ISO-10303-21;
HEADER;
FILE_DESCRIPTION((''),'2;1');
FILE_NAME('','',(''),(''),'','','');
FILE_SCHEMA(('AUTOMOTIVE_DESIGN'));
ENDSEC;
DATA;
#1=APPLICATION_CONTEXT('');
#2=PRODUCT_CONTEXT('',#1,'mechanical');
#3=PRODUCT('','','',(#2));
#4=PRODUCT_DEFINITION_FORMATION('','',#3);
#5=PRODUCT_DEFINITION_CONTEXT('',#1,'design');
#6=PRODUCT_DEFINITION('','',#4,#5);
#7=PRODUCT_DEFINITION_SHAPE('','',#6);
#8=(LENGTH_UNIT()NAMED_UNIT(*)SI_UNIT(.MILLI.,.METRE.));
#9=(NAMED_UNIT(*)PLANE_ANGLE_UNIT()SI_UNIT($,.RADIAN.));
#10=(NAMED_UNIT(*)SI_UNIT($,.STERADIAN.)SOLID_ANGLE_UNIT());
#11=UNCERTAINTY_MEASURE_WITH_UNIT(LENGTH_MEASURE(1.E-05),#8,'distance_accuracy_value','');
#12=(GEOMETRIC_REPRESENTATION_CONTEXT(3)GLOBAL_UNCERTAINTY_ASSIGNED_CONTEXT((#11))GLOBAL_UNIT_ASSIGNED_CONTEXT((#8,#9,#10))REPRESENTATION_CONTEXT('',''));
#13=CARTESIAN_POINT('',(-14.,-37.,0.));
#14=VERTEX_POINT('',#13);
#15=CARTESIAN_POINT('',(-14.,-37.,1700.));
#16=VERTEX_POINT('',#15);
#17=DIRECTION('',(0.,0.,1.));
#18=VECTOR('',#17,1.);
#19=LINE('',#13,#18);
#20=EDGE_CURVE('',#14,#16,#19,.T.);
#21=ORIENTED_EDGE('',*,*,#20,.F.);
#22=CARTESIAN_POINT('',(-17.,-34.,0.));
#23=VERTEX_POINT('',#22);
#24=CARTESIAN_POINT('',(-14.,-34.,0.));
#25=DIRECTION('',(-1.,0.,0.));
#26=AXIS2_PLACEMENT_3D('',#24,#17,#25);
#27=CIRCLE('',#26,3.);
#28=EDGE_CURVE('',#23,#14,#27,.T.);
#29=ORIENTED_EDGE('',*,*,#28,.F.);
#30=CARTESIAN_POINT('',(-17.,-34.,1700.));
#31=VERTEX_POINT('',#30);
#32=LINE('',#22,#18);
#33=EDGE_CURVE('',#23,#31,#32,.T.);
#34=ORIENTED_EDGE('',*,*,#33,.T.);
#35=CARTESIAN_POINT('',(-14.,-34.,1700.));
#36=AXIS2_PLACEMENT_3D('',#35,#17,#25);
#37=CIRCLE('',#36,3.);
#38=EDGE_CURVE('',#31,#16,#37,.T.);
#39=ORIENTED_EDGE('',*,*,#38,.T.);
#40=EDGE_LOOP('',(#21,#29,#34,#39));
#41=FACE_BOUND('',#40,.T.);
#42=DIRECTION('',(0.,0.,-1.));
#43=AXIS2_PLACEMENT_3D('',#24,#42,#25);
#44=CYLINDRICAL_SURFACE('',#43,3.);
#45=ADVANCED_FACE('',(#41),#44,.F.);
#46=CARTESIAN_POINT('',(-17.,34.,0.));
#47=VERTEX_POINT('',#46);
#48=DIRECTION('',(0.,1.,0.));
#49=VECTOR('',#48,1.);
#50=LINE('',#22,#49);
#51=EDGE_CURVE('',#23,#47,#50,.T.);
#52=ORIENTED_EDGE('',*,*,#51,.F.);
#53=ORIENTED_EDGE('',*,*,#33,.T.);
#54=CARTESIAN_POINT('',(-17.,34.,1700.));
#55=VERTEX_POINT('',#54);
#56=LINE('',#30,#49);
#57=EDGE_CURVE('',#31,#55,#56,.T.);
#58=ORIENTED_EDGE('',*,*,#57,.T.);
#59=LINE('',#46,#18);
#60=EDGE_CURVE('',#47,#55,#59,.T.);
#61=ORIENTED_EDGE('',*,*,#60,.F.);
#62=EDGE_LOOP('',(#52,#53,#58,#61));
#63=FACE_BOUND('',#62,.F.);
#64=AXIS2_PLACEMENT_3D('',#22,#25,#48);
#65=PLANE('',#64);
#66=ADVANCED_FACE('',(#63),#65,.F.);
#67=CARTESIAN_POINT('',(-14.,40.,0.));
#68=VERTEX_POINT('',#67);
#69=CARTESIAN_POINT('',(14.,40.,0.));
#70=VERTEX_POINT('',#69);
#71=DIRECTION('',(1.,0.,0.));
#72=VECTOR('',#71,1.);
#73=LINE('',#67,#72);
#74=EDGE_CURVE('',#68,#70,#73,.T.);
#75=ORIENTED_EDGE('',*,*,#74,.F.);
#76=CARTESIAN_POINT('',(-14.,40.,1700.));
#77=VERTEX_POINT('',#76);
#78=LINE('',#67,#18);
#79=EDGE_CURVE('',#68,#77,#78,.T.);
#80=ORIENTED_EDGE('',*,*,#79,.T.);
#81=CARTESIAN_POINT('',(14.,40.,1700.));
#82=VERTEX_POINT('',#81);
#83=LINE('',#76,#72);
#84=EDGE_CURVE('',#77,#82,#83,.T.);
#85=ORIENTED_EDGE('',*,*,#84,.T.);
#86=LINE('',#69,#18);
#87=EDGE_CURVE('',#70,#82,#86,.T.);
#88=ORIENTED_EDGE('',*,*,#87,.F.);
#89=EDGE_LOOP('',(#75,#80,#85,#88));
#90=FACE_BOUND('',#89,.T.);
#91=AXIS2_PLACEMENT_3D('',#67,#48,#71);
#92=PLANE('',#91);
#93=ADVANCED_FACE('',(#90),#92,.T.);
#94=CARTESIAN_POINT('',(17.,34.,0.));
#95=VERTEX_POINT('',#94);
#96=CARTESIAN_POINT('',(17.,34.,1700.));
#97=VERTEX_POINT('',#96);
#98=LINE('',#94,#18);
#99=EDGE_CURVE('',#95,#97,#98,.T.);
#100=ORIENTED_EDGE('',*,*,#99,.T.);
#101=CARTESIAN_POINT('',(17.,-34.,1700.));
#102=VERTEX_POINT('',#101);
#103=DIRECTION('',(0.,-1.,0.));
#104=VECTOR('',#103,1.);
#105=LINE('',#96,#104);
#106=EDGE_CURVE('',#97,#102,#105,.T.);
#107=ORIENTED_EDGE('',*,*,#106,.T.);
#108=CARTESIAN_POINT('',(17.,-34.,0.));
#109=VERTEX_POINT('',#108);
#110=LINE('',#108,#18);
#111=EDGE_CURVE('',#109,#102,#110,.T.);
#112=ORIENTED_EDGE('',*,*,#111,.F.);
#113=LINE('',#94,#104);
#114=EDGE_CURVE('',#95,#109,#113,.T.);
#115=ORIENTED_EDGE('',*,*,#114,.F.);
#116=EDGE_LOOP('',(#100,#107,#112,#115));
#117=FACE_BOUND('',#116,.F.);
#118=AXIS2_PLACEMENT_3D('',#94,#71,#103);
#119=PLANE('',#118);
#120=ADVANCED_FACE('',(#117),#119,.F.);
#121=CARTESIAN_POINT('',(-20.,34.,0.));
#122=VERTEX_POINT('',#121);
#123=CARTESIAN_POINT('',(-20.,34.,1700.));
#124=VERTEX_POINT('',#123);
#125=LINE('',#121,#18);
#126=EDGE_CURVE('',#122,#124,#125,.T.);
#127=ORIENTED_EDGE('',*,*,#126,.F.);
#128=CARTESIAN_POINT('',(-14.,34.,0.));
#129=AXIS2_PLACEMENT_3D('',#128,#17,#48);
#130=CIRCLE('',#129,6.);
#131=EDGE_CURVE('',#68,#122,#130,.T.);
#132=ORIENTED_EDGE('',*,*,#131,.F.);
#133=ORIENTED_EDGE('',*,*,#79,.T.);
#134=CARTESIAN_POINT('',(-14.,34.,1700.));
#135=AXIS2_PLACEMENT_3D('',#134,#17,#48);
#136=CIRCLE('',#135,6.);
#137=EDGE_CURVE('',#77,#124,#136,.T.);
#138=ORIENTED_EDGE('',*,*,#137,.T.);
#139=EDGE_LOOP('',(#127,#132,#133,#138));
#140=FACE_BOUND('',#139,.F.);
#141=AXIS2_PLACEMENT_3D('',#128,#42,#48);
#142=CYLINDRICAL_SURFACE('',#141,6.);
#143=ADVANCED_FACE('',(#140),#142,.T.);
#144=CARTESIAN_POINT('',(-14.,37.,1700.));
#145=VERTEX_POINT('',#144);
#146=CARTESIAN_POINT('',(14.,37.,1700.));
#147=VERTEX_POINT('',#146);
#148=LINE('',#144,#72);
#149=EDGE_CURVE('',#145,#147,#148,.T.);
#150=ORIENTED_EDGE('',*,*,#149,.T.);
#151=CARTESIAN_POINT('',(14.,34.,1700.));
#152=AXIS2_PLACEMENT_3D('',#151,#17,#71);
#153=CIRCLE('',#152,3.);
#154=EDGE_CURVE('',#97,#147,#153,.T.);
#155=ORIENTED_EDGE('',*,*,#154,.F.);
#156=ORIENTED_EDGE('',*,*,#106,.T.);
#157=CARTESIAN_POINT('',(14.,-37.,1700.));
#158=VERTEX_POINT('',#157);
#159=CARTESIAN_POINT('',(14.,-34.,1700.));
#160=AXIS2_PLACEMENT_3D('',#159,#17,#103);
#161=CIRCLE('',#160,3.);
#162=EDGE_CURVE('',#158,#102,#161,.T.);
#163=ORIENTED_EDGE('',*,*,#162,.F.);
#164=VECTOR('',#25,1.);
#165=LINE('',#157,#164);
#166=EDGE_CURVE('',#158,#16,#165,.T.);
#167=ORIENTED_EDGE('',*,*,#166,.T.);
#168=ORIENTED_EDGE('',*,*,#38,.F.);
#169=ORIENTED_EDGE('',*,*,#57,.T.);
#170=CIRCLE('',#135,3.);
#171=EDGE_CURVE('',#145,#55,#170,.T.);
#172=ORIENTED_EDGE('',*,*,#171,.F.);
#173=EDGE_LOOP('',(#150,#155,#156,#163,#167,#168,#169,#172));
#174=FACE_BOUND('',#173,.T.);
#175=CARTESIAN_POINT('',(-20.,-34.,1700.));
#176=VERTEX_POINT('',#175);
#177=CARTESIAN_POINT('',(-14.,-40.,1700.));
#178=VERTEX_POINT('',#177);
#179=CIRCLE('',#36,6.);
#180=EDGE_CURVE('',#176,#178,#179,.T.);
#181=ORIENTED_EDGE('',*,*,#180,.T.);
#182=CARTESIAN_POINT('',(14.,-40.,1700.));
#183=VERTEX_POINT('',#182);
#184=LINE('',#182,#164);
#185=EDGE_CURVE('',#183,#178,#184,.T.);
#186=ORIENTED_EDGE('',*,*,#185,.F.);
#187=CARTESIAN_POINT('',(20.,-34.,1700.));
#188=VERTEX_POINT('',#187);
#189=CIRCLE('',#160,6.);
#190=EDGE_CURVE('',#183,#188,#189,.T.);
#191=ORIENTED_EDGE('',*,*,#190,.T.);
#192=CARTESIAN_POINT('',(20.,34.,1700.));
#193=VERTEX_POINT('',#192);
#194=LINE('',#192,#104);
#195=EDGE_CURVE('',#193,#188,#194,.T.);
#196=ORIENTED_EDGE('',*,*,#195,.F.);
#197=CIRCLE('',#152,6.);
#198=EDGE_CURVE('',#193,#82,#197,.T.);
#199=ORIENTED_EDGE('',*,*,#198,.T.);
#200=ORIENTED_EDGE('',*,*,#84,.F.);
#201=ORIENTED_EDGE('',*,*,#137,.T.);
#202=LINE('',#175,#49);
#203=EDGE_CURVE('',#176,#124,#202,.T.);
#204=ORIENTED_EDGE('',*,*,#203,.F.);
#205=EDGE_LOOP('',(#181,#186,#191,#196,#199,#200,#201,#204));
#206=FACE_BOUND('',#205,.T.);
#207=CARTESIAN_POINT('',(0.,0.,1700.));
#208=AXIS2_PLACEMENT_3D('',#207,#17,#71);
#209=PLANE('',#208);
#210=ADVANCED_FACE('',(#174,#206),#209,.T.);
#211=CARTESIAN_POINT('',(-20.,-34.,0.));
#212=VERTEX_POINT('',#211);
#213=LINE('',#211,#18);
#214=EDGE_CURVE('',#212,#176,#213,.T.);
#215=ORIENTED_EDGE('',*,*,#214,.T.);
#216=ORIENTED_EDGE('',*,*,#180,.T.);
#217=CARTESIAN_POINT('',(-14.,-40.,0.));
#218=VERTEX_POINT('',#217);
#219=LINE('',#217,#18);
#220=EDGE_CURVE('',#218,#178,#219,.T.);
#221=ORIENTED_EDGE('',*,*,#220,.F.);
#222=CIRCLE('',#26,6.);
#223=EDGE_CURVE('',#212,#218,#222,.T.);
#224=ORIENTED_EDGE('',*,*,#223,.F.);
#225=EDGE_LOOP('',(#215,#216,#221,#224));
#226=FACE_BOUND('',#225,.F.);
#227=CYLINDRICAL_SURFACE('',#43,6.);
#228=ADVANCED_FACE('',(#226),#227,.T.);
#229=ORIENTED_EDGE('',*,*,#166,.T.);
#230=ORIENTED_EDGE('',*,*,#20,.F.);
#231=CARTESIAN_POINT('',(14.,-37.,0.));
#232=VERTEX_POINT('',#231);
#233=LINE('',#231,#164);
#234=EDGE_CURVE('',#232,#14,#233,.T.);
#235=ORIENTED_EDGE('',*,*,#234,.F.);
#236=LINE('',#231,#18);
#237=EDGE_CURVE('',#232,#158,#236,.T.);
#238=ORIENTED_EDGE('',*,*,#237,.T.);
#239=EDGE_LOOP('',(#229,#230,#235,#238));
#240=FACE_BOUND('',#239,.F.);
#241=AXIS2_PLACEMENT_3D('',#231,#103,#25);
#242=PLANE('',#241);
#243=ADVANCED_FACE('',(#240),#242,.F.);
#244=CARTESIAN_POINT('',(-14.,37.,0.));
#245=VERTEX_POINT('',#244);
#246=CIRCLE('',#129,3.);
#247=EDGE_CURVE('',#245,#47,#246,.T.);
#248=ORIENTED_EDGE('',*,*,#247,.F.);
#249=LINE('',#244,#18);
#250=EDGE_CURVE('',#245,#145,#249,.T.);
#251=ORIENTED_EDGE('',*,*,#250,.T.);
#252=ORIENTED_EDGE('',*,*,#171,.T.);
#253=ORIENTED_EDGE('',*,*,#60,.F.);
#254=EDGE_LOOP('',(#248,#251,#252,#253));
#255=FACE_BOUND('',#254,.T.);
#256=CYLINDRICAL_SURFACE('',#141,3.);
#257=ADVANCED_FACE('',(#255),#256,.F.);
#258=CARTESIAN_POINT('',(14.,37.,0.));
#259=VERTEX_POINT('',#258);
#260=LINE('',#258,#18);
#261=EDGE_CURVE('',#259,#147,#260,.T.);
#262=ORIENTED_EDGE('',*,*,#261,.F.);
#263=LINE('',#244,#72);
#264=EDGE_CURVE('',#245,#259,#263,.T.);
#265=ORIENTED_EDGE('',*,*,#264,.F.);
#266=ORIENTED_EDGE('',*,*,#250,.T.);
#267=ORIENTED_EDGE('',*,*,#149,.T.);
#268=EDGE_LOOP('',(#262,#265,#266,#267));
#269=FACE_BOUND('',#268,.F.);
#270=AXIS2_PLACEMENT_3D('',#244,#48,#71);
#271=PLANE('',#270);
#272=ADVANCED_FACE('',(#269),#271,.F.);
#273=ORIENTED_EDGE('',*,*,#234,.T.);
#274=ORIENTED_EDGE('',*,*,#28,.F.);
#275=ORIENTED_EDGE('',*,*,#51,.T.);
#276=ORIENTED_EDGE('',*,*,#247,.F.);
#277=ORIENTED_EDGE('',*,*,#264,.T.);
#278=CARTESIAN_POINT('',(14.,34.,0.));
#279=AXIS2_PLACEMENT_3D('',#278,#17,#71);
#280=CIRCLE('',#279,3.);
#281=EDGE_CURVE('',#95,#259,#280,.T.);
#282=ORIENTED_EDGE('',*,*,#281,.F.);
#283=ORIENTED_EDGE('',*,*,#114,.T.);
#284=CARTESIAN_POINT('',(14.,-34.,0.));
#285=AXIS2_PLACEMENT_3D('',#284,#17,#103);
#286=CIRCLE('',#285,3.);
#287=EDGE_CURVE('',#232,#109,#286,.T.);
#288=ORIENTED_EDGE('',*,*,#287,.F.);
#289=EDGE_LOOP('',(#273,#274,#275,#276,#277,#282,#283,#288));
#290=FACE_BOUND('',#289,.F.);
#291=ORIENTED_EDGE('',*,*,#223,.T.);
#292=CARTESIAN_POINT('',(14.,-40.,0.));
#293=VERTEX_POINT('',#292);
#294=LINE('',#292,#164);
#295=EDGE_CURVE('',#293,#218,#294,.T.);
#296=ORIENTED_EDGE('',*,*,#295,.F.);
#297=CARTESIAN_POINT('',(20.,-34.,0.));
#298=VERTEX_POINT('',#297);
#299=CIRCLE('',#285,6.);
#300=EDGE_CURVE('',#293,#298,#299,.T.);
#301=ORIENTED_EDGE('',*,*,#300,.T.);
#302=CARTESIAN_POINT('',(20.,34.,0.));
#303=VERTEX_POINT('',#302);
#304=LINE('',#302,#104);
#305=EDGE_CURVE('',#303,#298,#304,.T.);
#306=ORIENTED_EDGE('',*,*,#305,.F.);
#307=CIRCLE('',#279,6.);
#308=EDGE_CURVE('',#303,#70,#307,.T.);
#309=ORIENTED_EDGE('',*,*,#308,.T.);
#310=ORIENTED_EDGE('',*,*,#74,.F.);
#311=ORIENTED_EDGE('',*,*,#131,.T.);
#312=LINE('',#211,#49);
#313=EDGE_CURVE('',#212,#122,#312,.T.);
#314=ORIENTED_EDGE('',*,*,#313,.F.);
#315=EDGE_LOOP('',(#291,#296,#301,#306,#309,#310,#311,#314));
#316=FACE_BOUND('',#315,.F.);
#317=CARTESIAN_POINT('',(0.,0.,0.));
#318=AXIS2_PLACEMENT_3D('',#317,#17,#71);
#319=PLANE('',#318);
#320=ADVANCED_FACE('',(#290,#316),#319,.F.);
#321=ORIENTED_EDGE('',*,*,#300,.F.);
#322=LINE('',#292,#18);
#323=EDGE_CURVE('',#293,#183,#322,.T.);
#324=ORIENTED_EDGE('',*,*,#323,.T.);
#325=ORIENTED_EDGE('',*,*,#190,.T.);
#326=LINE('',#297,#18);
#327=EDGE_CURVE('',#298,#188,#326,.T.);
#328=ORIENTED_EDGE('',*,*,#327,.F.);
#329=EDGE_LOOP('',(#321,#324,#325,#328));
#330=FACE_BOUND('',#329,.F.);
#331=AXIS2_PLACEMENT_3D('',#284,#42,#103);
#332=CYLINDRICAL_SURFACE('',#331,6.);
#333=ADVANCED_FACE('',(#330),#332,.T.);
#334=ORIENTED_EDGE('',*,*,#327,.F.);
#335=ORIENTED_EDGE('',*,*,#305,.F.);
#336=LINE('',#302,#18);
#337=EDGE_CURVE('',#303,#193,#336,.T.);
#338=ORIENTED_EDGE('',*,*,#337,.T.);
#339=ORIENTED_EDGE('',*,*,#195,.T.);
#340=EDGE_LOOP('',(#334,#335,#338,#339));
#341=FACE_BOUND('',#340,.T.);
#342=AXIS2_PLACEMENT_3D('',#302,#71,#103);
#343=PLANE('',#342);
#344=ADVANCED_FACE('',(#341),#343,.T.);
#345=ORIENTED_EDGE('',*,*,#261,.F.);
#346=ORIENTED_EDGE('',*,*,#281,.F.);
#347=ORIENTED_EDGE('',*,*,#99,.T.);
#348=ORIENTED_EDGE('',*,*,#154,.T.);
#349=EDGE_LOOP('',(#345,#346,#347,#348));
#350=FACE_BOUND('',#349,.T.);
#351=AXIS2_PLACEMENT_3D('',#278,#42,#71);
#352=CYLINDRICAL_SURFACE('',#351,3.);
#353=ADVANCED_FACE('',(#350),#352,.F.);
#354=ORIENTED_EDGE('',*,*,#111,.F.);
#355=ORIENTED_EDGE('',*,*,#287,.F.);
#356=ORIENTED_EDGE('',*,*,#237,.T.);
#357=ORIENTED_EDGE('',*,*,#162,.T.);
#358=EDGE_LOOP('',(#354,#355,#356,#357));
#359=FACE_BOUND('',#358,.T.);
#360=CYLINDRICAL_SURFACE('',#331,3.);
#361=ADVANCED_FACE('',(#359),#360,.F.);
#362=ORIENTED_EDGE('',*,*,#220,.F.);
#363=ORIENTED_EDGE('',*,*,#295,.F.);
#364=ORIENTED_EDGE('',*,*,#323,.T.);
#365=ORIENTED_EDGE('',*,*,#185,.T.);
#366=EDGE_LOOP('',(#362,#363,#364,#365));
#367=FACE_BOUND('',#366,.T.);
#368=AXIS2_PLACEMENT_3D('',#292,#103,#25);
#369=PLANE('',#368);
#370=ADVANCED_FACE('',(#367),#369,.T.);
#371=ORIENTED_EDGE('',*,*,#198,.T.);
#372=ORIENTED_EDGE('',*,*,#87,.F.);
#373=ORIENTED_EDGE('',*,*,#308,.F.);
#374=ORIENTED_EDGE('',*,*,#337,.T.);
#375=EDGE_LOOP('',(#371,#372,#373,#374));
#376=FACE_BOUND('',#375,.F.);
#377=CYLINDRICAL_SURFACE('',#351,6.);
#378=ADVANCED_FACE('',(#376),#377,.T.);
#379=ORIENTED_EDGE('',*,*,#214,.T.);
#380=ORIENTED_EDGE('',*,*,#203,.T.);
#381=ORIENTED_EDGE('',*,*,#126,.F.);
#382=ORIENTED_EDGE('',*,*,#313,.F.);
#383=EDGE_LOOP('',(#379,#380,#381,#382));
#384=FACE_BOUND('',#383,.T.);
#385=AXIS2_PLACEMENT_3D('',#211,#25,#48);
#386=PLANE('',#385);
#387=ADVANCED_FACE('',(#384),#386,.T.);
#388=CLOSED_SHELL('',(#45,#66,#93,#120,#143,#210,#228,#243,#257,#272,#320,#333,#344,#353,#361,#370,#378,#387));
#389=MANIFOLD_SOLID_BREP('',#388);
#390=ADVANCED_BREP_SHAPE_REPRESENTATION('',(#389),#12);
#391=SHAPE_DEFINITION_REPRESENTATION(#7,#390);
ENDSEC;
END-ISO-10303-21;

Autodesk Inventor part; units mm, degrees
ref_plane "YZ Plane" through (0, 0, 0) normal (1, 0, 0) x (0, 1, 0)
ref_plane "Start Plane" through (0, 0, 0) normal (0, 0, 1) x (1, 0, 0)
ref_plane "End Plane" through (0, 0, 1700) normal (0, 0, 1) x (1, 0, 0)
sketch "Sketch" plane through (0, 0, 0) normal (0, 0, 1) x (1, 0, 0)
  line L0 (-20, -34) -> (-20, 34)
  line L1 (-14, 40) -> (14, 40)
  line L2 (20, 34) -> (20, -34)
  line L3 (14, -40) -> (-14, -40)
  arc A0 (-20, -34) -> (-14, -40) centre (-14, -34) ccw
  arc A1 (20, 34) -> (14, 40) centre (14, 34) ccw
  arc A2 (-14, 40) -> (-20, 34) centre (-14, 34) ccw
  arc A3 (14, -40) -> (20, -34) centre (14, -34) ccw
  arc A4 (-14, 37) -> (-17, 34) centre (-14, 34) ccw
  line L4 (-14, 37) -> (14, 37)
  arc A5 (17, 34) -> (14, 37) centre (14, 34) ccw
  line L5 (17, 34) -> (17, -34)
  arc A6 (14, -37) -> (17, -34) centre (14, -34) ccw
  line L6 (14, -37) -> (-14, -37)
  arc A7 (-17, -34) -> (-14, -37) centre (-14, -34) ccw
  line L7 (-17, -34) -> (-17, 34)
  line L8 (0, 57.7397) -> (0, -57.7397) construction
  line L9 (-29.7397, 0) -> (29.7397, 0) construction
  dimension "d7" = 6
  dimension "d9" = 40
  dimension "d11" = 80
  dimension "d12" = 3
  dimension "d15" = 20
  dimension "d16" = 40
extrude "Body" add sketch "Sketch" along normal up to surface (1700 mm away) from surface at 0
sketch "Sketch3" plane through (0, 0, 0) normal (0, 0, 1) x (1, 0, 0)
  line L0 (0, 0) -> (10, 0)
ref_plane "Work Plane3" through (0, 0, 0) normal (0, -1, 0) x (1, 0, 0)
sketch "Sketch4" plane through (0, 0, 0) normal (0, -1, 0) x (1, 0, 0)
  line L0 (-2, 0) -> (12, 0) projected
  line L1 (-2, 1700) -> (12, 1700) projected
  dimension "d18" = 1700
equation "\"d7\" = G_IR"
equation "\"d9\" = G_W"
equation "\"d11\" = G_H"
equation "\"d12\" = G_T"
equation "\"d15\" = 0.5 * d9"
equation "\"d16\" = 0.5 * d11"
equation "\"d3\" = G_L"
equation "\"G_W\" = 40"
equation "\"G_H\" = 80"
equation "\"G_T\" = 3"
equation "\"G_IR\" = 6"
equation "\"G_L\" = d18"
equation "\"G_OFFSET_START\" = 0"
equation "\"G_OFFSET_END\" = 0"
properties part number "ISO 10799-2 - 80x40x3 - 1700" material "Steel, Mild"
